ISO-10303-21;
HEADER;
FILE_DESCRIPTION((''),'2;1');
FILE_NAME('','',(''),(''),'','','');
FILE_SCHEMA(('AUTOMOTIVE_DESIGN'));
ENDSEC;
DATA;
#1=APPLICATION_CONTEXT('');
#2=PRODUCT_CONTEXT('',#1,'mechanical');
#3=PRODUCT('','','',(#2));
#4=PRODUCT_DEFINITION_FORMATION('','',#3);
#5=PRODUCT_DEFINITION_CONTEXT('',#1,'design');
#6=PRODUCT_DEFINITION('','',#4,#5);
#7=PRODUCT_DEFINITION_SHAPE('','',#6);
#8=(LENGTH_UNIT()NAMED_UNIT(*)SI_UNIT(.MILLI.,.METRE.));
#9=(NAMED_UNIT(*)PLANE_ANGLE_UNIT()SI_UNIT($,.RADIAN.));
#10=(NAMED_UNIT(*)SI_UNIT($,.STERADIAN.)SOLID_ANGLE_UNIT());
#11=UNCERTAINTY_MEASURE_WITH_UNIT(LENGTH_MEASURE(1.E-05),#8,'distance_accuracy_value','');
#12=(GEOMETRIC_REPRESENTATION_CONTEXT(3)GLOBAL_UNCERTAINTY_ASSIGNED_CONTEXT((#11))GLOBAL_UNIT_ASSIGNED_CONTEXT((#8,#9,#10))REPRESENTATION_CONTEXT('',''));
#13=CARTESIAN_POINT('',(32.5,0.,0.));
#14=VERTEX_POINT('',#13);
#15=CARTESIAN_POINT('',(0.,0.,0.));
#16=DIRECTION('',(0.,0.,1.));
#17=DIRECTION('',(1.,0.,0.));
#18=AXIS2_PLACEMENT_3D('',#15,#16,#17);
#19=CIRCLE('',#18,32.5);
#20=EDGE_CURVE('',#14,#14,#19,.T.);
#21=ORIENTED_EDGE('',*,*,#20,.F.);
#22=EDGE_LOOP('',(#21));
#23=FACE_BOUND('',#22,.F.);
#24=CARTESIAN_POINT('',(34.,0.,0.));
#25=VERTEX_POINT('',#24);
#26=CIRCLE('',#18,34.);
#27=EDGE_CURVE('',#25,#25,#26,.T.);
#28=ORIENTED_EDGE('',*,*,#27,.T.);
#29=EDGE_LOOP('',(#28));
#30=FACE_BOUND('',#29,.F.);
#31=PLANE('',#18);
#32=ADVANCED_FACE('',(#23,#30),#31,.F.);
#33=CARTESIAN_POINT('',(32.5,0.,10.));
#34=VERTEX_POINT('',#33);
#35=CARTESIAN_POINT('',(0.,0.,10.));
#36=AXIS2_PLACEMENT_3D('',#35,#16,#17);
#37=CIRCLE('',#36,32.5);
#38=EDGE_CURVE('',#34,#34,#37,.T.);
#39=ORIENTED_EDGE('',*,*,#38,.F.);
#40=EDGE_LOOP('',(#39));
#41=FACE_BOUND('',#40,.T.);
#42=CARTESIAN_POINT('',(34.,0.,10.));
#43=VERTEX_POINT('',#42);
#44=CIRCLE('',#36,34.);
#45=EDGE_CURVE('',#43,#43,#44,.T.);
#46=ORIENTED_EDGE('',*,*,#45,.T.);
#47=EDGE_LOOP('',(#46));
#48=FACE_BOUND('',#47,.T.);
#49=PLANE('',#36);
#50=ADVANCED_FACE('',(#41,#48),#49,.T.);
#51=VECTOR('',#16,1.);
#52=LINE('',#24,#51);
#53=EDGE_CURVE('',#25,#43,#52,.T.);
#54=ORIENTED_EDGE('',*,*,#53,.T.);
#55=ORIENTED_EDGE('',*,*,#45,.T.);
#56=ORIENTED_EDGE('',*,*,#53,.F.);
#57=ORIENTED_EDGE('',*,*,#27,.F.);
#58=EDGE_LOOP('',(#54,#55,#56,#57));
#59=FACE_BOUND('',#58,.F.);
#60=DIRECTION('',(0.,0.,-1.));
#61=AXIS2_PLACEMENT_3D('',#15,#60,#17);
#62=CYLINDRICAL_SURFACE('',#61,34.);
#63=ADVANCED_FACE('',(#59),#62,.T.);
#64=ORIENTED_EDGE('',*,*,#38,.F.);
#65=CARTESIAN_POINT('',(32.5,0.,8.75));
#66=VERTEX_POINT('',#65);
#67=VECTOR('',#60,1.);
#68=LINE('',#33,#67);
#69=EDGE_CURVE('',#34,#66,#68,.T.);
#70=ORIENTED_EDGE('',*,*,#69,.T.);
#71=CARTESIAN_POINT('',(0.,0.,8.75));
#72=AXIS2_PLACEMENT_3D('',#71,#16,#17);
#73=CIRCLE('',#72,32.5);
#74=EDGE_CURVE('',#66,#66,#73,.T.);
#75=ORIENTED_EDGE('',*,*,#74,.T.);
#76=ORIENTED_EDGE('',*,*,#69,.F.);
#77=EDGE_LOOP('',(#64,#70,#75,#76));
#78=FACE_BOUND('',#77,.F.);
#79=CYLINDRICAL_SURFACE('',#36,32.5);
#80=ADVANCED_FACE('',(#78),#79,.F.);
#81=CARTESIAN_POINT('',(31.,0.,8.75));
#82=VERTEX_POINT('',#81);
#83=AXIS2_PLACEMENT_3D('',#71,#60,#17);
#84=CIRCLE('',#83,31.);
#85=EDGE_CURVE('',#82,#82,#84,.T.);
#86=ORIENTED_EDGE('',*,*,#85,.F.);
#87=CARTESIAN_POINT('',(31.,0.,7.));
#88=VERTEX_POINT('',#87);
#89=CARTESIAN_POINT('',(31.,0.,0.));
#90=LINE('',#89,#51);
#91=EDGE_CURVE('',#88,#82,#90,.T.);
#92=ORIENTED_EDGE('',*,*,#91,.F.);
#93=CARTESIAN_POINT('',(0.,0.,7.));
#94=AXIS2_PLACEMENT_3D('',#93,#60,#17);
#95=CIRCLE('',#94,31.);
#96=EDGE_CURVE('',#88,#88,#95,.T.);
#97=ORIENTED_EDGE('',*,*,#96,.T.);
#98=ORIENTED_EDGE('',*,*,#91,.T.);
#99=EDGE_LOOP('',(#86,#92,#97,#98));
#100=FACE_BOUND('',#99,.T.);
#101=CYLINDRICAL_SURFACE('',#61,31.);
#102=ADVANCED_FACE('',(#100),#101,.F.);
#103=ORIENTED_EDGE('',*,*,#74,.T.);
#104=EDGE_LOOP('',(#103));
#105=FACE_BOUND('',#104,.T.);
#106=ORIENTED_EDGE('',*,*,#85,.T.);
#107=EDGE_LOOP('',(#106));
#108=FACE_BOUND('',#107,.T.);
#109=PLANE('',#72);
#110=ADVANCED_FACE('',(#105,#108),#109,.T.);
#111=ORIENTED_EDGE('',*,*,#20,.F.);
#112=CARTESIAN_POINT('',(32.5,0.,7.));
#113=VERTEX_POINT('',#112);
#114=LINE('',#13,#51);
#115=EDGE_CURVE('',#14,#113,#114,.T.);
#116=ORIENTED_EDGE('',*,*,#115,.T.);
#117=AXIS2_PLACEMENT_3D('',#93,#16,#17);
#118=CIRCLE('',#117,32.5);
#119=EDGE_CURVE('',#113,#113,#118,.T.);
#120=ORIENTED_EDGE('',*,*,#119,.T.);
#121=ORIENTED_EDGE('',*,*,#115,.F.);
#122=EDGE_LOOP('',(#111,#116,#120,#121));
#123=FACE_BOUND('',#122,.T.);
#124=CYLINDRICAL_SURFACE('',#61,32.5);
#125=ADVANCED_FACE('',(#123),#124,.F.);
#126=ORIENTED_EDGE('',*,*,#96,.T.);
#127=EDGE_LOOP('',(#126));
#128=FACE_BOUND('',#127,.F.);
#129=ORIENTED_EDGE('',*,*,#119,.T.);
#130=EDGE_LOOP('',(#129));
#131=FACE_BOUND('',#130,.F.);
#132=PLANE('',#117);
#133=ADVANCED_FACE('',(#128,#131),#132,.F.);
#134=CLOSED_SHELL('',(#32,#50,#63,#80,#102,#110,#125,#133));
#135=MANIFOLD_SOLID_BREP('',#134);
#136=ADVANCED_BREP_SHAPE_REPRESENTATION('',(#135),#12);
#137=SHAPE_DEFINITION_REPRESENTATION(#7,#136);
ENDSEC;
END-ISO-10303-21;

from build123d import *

# Parameters (mm, degrees)
SKETCH_R        = 34
SKETCH_R_2      = 31
PAD_DEPTH       = 10
SKETCH001_R     = 32.5
POCKET_DEPTH    = 7
SKETCH002_R     = 32.5
POCKET001_DEPTH = 1.25


with BuildPart() as part:
    # Sketch → Pad (new body)
    with BuildSketch(Plane.XY):
        Circle(SKETCH_R)
        Circle(SKETCH_R_2, mode=Mode.SUBTRACT)
    extrude(amount=PAD_DEPTH)

    # Sketch001 → Pocket (cut)
    with BuildSketch(Plane.XY):
        Circle(SKETCH001_R)
    extrude(amount=POCKET_DEPTH, mode=Mode.SUBTRACT)

    # Sketch002 → Pocket001 (cut)
    with BuildSketch(Plane.XY.offset(10)):
        Circle(SKETCH002_R)
    extrude(amount=-POCKET001_DEPTH, mode=Mode.SUBTRACT)


solid = part.part
